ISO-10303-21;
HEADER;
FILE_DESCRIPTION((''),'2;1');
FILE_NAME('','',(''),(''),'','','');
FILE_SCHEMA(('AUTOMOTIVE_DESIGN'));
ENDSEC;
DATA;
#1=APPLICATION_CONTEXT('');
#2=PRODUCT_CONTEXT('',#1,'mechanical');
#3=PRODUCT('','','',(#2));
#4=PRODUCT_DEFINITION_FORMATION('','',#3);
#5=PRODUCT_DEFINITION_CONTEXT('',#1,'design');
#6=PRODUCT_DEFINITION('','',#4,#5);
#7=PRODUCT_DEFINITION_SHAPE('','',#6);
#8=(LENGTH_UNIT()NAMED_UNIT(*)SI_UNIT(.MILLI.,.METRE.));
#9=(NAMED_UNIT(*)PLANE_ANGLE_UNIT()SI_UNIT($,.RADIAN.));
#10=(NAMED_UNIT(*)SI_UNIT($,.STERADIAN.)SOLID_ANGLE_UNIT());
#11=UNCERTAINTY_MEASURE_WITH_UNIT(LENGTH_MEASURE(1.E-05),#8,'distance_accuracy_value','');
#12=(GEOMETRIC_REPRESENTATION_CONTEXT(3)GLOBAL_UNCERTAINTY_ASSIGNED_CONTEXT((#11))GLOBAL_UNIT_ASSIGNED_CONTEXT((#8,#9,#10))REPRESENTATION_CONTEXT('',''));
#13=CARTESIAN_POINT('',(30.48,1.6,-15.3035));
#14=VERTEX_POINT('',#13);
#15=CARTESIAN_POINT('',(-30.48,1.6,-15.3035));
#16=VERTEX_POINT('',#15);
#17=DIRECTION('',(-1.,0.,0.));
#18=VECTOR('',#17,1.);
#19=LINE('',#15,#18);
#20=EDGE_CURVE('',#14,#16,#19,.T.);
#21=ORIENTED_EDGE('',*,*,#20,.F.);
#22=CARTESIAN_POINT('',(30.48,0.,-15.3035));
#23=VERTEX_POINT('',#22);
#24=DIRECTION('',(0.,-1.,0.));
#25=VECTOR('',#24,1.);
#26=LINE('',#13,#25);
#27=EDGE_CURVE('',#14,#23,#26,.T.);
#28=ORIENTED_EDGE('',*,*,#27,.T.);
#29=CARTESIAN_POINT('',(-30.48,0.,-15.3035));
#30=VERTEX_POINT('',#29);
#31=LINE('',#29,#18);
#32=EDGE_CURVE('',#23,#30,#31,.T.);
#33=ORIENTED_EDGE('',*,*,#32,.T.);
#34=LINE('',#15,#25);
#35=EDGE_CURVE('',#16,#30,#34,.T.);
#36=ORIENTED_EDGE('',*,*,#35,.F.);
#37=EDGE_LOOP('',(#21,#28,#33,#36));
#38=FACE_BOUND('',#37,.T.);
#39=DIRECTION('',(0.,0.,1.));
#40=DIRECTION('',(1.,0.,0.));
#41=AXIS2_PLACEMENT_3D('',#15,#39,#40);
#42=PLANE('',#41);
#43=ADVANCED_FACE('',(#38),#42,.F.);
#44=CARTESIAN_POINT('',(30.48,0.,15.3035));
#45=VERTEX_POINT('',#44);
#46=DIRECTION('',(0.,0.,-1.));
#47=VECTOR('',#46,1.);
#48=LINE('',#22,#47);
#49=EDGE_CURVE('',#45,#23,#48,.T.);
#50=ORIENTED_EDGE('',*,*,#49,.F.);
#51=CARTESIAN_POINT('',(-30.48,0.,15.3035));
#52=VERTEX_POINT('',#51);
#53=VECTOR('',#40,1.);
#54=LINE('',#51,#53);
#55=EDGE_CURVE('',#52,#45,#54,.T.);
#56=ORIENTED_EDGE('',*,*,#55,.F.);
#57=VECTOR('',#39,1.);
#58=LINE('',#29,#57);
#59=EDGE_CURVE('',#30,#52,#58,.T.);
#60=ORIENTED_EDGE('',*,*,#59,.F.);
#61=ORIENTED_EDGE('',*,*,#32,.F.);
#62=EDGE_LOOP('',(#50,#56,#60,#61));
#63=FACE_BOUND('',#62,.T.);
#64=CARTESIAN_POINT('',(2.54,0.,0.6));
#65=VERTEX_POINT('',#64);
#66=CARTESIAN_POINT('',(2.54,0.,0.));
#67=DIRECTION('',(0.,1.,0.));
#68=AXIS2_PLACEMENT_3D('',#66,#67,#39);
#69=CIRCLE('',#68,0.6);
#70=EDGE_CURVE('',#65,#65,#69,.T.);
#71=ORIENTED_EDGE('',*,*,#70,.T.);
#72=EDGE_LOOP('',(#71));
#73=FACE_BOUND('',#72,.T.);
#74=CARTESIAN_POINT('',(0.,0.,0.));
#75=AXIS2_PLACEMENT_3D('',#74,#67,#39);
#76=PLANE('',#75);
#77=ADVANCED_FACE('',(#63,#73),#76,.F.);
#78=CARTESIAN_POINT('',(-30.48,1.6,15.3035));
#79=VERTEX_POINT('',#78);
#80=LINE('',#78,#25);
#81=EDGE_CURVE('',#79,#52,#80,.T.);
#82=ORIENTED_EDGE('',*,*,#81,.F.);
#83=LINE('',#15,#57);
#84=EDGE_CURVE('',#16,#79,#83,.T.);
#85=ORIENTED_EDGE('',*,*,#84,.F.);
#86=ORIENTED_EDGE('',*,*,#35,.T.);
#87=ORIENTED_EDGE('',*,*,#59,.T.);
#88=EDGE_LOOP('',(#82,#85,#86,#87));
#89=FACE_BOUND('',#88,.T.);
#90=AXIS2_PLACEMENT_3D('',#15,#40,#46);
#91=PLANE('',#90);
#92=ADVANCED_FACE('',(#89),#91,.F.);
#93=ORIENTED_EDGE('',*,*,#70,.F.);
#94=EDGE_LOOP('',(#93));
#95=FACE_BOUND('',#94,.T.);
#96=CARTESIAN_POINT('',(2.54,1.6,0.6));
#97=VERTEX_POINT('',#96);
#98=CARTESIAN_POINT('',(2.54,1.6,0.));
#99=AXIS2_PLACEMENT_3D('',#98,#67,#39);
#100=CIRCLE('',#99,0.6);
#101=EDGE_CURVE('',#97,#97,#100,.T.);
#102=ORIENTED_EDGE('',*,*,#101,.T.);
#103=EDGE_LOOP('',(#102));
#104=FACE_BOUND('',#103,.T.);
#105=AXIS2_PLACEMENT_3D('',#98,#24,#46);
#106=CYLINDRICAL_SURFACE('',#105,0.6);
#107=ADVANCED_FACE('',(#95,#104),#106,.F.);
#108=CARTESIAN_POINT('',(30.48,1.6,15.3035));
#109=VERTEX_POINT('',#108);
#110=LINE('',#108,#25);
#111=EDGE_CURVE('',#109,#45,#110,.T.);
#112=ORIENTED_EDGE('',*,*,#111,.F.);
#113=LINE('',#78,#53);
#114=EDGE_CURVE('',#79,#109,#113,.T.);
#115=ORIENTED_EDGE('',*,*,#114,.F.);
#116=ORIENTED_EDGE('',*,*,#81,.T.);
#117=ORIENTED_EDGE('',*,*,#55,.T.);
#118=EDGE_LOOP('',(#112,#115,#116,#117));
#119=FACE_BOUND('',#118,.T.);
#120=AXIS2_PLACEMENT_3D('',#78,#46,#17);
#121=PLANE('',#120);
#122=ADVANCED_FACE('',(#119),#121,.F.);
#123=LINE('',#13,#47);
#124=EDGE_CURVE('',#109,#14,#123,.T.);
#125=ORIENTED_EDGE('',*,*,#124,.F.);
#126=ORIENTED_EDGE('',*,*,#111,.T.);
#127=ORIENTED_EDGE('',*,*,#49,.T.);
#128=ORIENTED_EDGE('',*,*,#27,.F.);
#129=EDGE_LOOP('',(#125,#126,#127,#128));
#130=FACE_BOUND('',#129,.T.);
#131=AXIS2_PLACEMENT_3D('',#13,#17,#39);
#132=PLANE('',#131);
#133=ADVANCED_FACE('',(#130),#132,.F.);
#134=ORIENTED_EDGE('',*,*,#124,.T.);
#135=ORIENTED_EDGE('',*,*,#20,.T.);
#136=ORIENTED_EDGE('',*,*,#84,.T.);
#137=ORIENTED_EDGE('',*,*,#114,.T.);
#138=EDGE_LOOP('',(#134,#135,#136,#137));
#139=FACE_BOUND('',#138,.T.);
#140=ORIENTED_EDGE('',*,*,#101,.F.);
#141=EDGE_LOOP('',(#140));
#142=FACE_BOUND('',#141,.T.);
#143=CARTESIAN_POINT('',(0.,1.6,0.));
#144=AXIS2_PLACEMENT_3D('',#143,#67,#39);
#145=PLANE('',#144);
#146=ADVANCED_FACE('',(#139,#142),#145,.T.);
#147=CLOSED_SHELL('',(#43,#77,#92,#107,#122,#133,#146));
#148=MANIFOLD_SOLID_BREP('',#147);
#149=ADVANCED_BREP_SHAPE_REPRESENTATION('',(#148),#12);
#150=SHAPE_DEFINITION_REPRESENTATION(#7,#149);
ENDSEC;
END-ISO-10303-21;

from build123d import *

# Parameters (mm, degrees)
SKETCH1_W           = 60.96
SKETCH1_H           = 30.607
SKETCH1_R           = 0.6
BOSS_EXTRUDE2_DEPTH = 1.6


with BuildPart() as part:
    # Sketch1 → Boss-Extrude2 (new body)
    with BuildSketch(Plane(origin=(0, 0, 0), x_dir=(1, 0, 0), z_dir=(0, 1, 0))):
        Rectangle(SKETCH1_W, SKETCH1_H)
        with Locations(Location((2.54, 0, 0), (0, 0, 270))):
            Circle(SKETCH1_R, mode=Mode.SUBTRACT)
    extrude(amount=BOSS_EXTRUDE2_DEPTH)


solid = part.part
